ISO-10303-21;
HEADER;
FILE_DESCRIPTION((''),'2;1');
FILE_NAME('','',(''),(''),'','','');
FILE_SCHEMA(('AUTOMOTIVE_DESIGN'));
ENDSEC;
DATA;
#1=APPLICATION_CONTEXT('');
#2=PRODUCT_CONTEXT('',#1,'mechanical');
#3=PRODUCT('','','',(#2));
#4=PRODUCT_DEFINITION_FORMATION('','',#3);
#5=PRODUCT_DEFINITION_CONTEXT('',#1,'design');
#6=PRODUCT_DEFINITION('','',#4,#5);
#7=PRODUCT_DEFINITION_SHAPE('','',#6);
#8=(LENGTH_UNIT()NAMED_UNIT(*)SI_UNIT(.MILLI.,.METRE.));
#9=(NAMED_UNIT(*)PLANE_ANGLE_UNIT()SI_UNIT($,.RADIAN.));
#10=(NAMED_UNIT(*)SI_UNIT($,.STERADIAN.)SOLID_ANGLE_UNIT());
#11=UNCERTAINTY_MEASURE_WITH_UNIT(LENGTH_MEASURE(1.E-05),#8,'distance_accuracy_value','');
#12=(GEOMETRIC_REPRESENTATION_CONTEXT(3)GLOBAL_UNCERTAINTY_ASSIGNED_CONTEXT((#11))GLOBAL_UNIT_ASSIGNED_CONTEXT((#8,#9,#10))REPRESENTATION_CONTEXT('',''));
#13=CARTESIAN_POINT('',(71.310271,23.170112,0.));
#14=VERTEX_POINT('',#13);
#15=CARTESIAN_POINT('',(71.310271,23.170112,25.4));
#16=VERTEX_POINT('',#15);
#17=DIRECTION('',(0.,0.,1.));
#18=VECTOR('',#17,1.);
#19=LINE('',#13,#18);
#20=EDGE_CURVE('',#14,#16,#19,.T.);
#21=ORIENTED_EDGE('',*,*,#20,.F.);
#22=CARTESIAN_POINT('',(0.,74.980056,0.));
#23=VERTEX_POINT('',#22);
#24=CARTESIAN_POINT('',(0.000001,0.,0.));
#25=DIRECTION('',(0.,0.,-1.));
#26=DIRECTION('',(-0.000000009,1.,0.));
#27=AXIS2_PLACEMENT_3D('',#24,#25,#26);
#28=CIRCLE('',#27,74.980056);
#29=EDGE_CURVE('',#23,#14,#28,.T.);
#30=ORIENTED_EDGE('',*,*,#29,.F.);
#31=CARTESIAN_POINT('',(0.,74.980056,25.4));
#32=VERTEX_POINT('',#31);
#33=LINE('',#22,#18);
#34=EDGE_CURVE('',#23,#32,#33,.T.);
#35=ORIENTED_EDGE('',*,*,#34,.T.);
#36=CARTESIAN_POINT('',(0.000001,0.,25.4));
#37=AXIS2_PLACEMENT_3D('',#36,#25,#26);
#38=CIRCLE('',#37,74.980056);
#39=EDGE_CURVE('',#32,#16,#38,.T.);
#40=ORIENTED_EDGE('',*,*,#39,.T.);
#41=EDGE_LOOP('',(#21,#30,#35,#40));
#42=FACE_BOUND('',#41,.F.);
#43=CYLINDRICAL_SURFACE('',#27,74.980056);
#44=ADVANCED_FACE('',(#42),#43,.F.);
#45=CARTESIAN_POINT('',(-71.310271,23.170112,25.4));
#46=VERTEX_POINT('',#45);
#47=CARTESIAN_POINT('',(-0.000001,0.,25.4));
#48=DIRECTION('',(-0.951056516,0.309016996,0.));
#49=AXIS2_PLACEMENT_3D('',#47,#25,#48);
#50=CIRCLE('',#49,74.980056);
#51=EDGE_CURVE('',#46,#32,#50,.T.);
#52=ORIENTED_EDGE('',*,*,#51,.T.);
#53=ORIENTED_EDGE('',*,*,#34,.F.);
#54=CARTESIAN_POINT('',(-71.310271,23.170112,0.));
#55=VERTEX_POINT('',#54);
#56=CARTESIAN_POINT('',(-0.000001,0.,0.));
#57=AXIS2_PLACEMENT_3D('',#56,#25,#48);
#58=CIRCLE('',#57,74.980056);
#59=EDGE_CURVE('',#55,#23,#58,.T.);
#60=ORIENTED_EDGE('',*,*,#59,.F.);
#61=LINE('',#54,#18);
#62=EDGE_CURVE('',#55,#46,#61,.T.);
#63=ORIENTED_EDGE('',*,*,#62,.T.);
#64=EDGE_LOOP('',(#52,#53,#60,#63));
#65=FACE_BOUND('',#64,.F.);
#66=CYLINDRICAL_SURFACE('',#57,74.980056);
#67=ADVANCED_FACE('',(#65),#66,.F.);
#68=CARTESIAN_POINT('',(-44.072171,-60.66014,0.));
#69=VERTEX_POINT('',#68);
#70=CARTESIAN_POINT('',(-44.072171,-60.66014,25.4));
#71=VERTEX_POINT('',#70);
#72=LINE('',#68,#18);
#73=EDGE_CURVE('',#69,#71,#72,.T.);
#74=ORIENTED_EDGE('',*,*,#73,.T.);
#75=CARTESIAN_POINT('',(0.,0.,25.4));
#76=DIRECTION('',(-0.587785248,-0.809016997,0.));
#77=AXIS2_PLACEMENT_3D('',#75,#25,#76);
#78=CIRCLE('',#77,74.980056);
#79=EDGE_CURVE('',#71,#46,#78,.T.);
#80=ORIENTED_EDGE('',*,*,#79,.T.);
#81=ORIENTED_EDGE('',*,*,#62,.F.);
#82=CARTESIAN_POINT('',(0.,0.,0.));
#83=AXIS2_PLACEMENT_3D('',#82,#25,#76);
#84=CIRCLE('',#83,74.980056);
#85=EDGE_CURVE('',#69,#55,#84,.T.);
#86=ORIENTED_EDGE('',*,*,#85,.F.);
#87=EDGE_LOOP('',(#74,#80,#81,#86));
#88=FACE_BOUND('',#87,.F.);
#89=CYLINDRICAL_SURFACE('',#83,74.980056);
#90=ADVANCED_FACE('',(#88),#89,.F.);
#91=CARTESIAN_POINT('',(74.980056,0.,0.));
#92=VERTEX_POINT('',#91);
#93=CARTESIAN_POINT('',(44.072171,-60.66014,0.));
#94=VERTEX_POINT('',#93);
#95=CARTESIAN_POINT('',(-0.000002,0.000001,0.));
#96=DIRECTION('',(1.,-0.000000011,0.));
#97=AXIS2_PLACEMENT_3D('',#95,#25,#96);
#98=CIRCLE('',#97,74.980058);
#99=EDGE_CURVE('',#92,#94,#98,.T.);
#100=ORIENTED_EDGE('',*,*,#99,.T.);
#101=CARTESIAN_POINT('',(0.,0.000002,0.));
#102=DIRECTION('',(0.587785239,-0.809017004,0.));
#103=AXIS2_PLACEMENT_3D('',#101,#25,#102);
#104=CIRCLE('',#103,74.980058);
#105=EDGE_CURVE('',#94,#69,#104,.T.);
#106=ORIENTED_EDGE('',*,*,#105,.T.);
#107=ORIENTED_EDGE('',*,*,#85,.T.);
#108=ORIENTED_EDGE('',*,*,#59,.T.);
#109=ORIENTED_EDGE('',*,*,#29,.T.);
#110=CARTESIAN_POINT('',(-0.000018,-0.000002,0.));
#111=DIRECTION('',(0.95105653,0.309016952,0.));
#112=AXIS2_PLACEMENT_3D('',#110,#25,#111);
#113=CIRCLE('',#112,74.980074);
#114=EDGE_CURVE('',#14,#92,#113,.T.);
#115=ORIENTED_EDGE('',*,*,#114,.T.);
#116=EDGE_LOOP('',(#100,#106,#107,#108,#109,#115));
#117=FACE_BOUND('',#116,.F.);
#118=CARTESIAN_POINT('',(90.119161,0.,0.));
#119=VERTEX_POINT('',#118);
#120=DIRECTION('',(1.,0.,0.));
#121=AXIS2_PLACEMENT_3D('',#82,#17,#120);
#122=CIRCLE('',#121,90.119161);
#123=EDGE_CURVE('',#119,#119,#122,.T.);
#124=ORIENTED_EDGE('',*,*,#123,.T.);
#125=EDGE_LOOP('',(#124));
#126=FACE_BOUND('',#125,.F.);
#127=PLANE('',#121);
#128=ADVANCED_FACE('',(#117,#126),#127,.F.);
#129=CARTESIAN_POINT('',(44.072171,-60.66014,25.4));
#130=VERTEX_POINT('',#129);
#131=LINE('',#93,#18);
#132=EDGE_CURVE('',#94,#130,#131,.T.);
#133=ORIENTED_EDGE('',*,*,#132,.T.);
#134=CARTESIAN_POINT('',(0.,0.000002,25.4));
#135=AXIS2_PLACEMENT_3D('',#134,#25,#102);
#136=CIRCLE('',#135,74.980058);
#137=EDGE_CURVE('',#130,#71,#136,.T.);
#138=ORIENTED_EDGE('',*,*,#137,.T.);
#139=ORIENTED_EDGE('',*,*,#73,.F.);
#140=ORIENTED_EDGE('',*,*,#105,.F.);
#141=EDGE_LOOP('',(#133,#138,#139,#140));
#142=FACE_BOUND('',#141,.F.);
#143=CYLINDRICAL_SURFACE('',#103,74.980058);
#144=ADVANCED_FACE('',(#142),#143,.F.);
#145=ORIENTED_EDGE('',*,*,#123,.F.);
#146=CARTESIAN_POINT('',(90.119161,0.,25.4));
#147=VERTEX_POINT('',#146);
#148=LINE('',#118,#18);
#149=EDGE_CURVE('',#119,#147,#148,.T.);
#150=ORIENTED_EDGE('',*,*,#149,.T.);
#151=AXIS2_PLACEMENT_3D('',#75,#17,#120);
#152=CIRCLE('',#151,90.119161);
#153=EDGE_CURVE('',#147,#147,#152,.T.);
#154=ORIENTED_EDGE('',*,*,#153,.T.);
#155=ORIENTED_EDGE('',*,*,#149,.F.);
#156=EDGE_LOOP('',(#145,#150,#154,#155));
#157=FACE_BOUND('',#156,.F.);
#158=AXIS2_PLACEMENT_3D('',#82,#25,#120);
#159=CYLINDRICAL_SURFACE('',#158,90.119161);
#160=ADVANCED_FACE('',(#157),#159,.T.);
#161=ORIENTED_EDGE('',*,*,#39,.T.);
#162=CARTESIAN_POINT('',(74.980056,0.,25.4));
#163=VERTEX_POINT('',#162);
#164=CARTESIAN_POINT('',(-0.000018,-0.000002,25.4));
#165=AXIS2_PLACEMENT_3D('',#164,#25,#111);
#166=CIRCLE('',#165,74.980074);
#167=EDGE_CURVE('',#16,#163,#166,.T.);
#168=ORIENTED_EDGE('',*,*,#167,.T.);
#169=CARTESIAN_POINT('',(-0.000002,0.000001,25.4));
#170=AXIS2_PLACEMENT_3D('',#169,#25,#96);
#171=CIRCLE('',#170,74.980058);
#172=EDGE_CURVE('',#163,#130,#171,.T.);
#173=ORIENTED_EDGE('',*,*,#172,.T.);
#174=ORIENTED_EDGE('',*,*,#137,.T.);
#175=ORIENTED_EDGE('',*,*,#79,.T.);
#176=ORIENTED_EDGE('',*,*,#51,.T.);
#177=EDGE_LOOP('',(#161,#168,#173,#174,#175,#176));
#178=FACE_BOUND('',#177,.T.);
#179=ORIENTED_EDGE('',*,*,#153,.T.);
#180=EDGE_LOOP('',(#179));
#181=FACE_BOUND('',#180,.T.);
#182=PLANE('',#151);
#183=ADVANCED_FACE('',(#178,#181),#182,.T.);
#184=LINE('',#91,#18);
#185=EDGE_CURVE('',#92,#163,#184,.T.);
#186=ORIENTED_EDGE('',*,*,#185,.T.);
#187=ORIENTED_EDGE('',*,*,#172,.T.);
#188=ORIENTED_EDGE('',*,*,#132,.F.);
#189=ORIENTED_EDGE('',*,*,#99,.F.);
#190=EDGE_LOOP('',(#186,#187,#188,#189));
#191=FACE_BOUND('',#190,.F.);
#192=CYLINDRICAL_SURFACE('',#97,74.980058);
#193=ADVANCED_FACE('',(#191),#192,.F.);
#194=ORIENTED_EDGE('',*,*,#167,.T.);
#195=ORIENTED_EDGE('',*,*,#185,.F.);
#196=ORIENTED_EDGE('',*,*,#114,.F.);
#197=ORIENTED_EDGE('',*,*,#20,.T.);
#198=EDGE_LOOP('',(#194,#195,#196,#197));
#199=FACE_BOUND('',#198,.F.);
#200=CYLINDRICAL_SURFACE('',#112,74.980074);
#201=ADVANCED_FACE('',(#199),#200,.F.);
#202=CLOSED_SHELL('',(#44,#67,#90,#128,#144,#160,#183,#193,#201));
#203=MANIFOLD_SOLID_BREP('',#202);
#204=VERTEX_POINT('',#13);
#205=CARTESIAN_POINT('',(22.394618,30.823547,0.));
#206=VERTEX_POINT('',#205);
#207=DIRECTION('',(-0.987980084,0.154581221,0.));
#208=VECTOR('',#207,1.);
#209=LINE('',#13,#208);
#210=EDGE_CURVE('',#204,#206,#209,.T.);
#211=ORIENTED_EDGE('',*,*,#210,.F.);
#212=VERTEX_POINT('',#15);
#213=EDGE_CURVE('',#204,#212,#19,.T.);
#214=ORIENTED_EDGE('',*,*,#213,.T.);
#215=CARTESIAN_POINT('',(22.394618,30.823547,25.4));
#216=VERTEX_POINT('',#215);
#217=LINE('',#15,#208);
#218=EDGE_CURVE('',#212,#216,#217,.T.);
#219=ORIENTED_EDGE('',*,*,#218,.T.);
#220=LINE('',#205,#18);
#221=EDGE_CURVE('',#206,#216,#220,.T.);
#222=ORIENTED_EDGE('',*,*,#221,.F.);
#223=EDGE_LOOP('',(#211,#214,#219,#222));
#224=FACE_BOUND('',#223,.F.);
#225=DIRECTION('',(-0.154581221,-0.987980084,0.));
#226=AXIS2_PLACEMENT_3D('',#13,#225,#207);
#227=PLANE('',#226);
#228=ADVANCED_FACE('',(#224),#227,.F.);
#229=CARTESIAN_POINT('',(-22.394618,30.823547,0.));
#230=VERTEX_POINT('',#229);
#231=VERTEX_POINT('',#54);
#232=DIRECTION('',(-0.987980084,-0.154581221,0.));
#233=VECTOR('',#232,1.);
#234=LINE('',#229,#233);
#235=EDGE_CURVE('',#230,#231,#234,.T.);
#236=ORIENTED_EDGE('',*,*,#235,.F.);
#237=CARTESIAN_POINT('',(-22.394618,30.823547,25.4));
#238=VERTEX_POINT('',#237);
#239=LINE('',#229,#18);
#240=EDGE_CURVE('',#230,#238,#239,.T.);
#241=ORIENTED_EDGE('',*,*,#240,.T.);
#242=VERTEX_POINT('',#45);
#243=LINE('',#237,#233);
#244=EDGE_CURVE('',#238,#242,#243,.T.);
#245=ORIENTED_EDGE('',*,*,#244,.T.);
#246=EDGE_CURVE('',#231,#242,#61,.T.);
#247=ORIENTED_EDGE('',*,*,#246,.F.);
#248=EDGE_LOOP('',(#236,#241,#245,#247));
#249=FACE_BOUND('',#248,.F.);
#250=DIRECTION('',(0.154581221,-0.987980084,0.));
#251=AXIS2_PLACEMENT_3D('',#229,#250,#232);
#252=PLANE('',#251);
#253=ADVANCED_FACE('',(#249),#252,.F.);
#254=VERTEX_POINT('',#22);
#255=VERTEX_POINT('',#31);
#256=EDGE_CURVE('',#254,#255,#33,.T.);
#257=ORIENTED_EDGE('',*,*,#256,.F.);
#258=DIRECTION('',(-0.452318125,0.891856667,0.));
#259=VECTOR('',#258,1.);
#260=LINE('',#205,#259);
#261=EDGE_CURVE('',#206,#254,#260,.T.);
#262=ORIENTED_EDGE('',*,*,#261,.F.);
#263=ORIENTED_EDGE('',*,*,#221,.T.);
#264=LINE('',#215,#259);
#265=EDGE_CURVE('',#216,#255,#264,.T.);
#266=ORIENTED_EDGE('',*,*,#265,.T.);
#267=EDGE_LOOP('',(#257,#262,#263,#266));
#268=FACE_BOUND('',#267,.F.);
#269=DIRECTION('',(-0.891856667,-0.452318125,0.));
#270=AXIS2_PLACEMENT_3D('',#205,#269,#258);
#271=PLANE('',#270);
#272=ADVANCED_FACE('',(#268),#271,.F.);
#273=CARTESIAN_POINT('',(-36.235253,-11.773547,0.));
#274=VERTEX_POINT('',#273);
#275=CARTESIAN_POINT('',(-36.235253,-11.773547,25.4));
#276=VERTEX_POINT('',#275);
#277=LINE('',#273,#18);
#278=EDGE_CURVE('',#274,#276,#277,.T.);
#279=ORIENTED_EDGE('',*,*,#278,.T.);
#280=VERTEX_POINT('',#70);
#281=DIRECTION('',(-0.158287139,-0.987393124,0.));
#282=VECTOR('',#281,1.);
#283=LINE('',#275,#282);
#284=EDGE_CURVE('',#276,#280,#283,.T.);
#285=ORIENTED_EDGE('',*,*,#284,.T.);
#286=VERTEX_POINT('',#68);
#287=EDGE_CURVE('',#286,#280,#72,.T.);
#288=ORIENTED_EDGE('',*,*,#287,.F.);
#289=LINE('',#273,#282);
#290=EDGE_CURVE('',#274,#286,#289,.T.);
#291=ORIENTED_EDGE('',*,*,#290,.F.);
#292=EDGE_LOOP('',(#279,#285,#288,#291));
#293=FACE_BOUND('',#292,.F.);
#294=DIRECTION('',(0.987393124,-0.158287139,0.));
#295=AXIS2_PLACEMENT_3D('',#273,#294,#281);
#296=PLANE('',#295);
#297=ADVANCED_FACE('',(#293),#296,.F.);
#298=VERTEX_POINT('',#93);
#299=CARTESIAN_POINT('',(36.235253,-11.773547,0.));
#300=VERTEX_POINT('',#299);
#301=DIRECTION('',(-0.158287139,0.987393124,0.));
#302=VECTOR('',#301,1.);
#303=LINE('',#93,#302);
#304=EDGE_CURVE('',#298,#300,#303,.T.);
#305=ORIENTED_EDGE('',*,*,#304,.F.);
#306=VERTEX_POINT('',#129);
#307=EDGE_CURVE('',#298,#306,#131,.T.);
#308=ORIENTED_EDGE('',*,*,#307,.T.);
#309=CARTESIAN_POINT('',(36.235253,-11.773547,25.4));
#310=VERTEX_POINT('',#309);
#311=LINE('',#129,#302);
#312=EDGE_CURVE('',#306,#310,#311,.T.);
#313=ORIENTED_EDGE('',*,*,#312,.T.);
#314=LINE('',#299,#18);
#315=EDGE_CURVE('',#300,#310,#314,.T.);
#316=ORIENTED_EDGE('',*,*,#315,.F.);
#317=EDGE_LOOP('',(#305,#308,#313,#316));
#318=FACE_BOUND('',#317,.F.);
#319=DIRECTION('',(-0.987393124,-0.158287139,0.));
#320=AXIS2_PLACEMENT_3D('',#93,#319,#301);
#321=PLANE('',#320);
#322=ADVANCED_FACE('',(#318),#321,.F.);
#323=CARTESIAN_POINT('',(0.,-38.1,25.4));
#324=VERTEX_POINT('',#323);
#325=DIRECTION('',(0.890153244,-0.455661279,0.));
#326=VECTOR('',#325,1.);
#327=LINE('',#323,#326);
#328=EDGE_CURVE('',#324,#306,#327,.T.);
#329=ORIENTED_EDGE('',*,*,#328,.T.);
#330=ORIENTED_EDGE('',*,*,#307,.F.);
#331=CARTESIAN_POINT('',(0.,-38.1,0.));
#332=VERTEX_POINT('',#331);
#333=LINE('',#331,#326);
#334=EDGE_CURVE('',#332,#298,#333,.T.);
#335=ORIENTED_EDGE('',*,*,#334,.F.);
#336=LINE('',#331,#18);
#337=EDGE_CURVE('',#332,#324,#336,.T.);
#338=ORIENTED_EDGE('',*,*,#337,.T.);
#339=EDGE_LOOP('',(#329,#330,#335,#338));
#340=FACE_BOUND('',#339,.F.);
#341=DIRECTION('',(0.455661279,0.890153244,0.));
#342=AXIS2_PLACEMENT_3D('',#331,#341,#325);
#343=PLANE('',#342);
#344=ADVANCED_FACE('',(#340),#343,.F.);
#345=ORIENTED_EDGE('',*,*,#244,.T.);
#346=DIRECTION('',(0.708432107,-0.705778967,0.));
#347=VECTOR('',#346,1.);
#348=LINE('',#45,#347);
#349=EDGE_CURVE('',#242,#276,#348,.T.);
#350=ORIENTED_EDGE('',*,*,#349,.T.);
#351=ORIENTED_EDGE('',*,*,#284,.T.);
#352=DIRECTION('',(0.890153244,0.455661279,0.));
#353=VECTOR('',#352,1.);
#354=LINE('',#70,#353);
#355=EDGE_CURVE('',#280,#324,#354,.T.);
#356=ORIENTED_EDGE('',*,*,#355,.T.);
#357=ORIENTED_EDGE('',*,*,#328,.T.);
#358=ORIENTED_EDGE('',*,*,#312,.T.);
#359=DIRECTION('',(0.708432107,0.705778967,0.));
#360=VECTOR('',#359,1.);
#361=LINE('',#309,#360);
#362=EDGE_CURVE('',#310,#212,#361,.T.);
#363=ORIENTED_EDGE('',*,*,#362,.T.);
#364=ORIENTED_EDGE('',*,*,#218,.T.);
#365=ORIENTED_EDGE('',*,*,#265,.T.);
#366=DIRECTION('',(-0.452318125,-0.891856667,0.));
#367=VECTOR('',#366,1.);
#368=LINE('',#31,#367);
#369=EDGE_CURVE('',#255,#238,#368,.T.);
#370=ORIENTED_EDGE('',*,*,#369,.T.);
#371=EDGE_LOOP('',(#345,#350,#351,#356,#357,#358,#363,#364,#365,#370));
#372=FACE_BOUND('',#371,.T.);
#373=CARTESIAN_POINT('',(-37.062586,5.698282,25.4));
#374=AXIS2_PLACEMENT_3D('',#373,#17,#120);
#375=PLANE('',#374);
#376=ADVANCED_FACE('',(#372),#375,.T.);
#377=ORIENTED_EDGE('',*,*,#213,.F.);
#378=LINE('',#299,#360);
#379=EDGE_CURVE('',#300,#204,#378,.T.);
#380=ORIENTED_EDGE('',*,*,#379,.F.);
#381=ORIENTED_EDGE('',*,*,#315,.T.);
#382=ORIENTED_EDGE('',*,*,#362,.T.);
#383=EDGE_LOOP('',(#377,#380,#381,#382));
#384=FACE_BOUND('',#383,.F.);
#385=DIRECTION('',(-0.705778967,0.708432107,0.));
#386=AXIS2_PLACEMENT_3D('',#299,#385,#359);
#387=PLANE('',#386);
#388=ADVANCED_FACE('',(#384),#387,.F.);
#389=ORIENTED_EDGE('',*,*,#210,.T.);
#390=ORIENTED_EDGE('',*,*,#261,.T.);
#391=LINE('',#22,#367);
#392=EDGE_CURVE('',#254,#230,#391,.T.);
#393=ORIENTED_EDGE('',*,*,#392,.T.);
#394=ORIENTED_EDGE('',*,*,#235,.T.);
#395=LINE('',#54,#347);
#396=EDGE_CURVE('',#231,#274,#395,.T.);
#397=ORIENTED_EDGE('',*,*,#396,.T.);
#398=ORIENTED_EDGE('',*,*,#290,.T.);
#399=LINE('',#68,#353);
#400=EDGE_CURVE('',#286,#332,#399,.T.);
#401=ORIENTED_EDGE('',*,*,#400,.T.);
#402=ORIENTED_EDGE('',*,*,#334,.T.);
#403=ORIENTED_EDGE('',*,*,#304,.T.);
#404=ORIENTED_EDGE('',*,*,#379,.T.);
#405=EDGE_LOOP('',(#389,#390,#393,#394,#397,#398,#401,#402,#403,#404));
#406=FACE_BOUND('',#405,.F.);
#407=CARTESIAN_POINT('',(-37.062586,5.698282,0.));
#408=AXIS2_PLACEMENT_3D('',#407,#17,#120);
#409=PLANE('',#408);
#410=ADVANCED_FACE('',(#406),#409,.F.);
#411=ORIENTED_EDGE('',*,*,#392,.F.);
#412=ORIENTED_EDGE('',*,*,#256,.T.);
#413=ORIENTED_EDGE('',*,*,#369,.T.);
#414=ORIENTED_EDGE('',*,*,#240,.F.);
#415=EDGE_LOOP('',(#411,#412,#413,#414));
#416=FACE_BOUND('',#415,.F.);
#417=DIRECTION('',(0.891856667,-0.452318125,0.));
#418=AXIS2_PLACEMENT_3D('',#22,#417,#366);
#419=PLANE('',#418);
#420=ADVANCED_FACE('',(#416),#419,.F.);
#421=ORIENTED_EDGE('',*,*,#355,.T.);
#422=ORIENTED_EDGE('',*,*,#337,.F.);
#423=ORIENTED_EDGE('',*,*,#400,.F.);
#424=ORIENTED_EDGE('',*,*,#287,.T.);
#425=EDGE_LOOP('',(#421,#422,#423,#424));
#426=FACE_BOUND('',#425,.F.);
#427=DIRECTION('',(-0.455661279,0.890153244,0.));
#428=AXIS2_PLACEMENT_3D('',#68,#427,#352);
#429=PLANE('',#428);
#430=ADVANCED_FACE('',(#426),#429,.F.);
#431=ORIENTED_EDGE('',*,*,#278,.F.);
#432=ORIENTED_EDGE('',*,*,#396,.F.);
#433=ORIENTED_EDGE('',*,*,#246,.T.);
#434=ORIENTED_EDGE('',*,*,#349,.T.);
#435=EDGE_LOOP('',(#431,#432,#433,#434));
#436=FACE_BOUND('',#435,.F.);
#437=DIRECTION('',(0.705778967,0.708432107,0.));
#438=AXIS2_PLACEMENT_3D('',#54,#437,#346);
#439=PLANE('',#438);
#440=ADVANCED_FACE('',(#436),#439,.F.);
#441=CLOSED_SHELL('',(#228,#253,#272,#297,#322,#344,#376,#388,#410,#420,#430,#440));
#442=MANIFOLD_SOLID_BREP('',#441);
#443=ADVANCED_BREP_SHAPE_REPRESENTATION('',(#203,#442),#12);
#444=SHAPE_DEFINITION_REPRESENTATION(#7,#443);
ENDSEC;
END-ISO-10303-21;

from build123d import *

# Parameters (mm, degrees)
F0_R     = 90.119161
F1_DEPTH = 25.4


with BuildPart() as f1:
    # F0 (on Top) → F1 (new body)
    with BuildSketch(Plane.XY):
        Circle(F0_R)
        with BuildLine():
            ThreePointArc((71.310271, 23.170112), (74.056927, 11.729465), (74.980056, 0))
            ThreePointArc((74.980056, 0), (66.807719, -34.040233), (44.072171, -60.66014))
            ThreePointArc((44.072171, -60.66014), (0, -74.980056), (-44.072171, -60.66014))
            ThreePointArc((-44.072171, -60.66014), (-71.310271, -23.170112), (-71.310271, 23.170112))
            ThreePointArc((-71.310271, 23.170112), (-44.072171, 60.66014), (0, 74.980056))
            ThreePointArc((0, 74.980056), (44.072171, 60.66014), (71.310271, 23.170112))
        make_face(mode=Mode.SUBTRACT)
        Polygon((-36.235253, -11.773547), (0, 0), (-71.310271, 23.170112), align=None)
        Polygon((0, 0), (0, 74.980056), (-22.394618, 30.823547), align=None)
        Polygon((22.394618, 30.823547), (0, 74.980056), (0, 0), align=None)
        Polygon((0, 0), (71.310271, 23.170112), (22.394618, 30.823547), align=None)
        Polygon((36.235253, -11.773547), (71.310271, 23.170112), (0, 0), align=None)
        Polygon((0, 0), (44.072171, -60.66014), (36.235253, -11.773547), align=None)
        Polygon((0, -38.1), (44.072171, -60.66014), (0, 0), align=None)
        Polygon((0, -38.1), (0, 0), (-44.072171, -60.66014), align=None)
        Polygon((-44.072171, -60.66014), (0, 0), (-36.235253, -11.773547), align=None)
        Polygon((-71.310271, 23.170112), (0, 0), (-22.394618, 30.823547), align=None)
    extrude(amount=F1_DEPTH)


solid = f1.part
